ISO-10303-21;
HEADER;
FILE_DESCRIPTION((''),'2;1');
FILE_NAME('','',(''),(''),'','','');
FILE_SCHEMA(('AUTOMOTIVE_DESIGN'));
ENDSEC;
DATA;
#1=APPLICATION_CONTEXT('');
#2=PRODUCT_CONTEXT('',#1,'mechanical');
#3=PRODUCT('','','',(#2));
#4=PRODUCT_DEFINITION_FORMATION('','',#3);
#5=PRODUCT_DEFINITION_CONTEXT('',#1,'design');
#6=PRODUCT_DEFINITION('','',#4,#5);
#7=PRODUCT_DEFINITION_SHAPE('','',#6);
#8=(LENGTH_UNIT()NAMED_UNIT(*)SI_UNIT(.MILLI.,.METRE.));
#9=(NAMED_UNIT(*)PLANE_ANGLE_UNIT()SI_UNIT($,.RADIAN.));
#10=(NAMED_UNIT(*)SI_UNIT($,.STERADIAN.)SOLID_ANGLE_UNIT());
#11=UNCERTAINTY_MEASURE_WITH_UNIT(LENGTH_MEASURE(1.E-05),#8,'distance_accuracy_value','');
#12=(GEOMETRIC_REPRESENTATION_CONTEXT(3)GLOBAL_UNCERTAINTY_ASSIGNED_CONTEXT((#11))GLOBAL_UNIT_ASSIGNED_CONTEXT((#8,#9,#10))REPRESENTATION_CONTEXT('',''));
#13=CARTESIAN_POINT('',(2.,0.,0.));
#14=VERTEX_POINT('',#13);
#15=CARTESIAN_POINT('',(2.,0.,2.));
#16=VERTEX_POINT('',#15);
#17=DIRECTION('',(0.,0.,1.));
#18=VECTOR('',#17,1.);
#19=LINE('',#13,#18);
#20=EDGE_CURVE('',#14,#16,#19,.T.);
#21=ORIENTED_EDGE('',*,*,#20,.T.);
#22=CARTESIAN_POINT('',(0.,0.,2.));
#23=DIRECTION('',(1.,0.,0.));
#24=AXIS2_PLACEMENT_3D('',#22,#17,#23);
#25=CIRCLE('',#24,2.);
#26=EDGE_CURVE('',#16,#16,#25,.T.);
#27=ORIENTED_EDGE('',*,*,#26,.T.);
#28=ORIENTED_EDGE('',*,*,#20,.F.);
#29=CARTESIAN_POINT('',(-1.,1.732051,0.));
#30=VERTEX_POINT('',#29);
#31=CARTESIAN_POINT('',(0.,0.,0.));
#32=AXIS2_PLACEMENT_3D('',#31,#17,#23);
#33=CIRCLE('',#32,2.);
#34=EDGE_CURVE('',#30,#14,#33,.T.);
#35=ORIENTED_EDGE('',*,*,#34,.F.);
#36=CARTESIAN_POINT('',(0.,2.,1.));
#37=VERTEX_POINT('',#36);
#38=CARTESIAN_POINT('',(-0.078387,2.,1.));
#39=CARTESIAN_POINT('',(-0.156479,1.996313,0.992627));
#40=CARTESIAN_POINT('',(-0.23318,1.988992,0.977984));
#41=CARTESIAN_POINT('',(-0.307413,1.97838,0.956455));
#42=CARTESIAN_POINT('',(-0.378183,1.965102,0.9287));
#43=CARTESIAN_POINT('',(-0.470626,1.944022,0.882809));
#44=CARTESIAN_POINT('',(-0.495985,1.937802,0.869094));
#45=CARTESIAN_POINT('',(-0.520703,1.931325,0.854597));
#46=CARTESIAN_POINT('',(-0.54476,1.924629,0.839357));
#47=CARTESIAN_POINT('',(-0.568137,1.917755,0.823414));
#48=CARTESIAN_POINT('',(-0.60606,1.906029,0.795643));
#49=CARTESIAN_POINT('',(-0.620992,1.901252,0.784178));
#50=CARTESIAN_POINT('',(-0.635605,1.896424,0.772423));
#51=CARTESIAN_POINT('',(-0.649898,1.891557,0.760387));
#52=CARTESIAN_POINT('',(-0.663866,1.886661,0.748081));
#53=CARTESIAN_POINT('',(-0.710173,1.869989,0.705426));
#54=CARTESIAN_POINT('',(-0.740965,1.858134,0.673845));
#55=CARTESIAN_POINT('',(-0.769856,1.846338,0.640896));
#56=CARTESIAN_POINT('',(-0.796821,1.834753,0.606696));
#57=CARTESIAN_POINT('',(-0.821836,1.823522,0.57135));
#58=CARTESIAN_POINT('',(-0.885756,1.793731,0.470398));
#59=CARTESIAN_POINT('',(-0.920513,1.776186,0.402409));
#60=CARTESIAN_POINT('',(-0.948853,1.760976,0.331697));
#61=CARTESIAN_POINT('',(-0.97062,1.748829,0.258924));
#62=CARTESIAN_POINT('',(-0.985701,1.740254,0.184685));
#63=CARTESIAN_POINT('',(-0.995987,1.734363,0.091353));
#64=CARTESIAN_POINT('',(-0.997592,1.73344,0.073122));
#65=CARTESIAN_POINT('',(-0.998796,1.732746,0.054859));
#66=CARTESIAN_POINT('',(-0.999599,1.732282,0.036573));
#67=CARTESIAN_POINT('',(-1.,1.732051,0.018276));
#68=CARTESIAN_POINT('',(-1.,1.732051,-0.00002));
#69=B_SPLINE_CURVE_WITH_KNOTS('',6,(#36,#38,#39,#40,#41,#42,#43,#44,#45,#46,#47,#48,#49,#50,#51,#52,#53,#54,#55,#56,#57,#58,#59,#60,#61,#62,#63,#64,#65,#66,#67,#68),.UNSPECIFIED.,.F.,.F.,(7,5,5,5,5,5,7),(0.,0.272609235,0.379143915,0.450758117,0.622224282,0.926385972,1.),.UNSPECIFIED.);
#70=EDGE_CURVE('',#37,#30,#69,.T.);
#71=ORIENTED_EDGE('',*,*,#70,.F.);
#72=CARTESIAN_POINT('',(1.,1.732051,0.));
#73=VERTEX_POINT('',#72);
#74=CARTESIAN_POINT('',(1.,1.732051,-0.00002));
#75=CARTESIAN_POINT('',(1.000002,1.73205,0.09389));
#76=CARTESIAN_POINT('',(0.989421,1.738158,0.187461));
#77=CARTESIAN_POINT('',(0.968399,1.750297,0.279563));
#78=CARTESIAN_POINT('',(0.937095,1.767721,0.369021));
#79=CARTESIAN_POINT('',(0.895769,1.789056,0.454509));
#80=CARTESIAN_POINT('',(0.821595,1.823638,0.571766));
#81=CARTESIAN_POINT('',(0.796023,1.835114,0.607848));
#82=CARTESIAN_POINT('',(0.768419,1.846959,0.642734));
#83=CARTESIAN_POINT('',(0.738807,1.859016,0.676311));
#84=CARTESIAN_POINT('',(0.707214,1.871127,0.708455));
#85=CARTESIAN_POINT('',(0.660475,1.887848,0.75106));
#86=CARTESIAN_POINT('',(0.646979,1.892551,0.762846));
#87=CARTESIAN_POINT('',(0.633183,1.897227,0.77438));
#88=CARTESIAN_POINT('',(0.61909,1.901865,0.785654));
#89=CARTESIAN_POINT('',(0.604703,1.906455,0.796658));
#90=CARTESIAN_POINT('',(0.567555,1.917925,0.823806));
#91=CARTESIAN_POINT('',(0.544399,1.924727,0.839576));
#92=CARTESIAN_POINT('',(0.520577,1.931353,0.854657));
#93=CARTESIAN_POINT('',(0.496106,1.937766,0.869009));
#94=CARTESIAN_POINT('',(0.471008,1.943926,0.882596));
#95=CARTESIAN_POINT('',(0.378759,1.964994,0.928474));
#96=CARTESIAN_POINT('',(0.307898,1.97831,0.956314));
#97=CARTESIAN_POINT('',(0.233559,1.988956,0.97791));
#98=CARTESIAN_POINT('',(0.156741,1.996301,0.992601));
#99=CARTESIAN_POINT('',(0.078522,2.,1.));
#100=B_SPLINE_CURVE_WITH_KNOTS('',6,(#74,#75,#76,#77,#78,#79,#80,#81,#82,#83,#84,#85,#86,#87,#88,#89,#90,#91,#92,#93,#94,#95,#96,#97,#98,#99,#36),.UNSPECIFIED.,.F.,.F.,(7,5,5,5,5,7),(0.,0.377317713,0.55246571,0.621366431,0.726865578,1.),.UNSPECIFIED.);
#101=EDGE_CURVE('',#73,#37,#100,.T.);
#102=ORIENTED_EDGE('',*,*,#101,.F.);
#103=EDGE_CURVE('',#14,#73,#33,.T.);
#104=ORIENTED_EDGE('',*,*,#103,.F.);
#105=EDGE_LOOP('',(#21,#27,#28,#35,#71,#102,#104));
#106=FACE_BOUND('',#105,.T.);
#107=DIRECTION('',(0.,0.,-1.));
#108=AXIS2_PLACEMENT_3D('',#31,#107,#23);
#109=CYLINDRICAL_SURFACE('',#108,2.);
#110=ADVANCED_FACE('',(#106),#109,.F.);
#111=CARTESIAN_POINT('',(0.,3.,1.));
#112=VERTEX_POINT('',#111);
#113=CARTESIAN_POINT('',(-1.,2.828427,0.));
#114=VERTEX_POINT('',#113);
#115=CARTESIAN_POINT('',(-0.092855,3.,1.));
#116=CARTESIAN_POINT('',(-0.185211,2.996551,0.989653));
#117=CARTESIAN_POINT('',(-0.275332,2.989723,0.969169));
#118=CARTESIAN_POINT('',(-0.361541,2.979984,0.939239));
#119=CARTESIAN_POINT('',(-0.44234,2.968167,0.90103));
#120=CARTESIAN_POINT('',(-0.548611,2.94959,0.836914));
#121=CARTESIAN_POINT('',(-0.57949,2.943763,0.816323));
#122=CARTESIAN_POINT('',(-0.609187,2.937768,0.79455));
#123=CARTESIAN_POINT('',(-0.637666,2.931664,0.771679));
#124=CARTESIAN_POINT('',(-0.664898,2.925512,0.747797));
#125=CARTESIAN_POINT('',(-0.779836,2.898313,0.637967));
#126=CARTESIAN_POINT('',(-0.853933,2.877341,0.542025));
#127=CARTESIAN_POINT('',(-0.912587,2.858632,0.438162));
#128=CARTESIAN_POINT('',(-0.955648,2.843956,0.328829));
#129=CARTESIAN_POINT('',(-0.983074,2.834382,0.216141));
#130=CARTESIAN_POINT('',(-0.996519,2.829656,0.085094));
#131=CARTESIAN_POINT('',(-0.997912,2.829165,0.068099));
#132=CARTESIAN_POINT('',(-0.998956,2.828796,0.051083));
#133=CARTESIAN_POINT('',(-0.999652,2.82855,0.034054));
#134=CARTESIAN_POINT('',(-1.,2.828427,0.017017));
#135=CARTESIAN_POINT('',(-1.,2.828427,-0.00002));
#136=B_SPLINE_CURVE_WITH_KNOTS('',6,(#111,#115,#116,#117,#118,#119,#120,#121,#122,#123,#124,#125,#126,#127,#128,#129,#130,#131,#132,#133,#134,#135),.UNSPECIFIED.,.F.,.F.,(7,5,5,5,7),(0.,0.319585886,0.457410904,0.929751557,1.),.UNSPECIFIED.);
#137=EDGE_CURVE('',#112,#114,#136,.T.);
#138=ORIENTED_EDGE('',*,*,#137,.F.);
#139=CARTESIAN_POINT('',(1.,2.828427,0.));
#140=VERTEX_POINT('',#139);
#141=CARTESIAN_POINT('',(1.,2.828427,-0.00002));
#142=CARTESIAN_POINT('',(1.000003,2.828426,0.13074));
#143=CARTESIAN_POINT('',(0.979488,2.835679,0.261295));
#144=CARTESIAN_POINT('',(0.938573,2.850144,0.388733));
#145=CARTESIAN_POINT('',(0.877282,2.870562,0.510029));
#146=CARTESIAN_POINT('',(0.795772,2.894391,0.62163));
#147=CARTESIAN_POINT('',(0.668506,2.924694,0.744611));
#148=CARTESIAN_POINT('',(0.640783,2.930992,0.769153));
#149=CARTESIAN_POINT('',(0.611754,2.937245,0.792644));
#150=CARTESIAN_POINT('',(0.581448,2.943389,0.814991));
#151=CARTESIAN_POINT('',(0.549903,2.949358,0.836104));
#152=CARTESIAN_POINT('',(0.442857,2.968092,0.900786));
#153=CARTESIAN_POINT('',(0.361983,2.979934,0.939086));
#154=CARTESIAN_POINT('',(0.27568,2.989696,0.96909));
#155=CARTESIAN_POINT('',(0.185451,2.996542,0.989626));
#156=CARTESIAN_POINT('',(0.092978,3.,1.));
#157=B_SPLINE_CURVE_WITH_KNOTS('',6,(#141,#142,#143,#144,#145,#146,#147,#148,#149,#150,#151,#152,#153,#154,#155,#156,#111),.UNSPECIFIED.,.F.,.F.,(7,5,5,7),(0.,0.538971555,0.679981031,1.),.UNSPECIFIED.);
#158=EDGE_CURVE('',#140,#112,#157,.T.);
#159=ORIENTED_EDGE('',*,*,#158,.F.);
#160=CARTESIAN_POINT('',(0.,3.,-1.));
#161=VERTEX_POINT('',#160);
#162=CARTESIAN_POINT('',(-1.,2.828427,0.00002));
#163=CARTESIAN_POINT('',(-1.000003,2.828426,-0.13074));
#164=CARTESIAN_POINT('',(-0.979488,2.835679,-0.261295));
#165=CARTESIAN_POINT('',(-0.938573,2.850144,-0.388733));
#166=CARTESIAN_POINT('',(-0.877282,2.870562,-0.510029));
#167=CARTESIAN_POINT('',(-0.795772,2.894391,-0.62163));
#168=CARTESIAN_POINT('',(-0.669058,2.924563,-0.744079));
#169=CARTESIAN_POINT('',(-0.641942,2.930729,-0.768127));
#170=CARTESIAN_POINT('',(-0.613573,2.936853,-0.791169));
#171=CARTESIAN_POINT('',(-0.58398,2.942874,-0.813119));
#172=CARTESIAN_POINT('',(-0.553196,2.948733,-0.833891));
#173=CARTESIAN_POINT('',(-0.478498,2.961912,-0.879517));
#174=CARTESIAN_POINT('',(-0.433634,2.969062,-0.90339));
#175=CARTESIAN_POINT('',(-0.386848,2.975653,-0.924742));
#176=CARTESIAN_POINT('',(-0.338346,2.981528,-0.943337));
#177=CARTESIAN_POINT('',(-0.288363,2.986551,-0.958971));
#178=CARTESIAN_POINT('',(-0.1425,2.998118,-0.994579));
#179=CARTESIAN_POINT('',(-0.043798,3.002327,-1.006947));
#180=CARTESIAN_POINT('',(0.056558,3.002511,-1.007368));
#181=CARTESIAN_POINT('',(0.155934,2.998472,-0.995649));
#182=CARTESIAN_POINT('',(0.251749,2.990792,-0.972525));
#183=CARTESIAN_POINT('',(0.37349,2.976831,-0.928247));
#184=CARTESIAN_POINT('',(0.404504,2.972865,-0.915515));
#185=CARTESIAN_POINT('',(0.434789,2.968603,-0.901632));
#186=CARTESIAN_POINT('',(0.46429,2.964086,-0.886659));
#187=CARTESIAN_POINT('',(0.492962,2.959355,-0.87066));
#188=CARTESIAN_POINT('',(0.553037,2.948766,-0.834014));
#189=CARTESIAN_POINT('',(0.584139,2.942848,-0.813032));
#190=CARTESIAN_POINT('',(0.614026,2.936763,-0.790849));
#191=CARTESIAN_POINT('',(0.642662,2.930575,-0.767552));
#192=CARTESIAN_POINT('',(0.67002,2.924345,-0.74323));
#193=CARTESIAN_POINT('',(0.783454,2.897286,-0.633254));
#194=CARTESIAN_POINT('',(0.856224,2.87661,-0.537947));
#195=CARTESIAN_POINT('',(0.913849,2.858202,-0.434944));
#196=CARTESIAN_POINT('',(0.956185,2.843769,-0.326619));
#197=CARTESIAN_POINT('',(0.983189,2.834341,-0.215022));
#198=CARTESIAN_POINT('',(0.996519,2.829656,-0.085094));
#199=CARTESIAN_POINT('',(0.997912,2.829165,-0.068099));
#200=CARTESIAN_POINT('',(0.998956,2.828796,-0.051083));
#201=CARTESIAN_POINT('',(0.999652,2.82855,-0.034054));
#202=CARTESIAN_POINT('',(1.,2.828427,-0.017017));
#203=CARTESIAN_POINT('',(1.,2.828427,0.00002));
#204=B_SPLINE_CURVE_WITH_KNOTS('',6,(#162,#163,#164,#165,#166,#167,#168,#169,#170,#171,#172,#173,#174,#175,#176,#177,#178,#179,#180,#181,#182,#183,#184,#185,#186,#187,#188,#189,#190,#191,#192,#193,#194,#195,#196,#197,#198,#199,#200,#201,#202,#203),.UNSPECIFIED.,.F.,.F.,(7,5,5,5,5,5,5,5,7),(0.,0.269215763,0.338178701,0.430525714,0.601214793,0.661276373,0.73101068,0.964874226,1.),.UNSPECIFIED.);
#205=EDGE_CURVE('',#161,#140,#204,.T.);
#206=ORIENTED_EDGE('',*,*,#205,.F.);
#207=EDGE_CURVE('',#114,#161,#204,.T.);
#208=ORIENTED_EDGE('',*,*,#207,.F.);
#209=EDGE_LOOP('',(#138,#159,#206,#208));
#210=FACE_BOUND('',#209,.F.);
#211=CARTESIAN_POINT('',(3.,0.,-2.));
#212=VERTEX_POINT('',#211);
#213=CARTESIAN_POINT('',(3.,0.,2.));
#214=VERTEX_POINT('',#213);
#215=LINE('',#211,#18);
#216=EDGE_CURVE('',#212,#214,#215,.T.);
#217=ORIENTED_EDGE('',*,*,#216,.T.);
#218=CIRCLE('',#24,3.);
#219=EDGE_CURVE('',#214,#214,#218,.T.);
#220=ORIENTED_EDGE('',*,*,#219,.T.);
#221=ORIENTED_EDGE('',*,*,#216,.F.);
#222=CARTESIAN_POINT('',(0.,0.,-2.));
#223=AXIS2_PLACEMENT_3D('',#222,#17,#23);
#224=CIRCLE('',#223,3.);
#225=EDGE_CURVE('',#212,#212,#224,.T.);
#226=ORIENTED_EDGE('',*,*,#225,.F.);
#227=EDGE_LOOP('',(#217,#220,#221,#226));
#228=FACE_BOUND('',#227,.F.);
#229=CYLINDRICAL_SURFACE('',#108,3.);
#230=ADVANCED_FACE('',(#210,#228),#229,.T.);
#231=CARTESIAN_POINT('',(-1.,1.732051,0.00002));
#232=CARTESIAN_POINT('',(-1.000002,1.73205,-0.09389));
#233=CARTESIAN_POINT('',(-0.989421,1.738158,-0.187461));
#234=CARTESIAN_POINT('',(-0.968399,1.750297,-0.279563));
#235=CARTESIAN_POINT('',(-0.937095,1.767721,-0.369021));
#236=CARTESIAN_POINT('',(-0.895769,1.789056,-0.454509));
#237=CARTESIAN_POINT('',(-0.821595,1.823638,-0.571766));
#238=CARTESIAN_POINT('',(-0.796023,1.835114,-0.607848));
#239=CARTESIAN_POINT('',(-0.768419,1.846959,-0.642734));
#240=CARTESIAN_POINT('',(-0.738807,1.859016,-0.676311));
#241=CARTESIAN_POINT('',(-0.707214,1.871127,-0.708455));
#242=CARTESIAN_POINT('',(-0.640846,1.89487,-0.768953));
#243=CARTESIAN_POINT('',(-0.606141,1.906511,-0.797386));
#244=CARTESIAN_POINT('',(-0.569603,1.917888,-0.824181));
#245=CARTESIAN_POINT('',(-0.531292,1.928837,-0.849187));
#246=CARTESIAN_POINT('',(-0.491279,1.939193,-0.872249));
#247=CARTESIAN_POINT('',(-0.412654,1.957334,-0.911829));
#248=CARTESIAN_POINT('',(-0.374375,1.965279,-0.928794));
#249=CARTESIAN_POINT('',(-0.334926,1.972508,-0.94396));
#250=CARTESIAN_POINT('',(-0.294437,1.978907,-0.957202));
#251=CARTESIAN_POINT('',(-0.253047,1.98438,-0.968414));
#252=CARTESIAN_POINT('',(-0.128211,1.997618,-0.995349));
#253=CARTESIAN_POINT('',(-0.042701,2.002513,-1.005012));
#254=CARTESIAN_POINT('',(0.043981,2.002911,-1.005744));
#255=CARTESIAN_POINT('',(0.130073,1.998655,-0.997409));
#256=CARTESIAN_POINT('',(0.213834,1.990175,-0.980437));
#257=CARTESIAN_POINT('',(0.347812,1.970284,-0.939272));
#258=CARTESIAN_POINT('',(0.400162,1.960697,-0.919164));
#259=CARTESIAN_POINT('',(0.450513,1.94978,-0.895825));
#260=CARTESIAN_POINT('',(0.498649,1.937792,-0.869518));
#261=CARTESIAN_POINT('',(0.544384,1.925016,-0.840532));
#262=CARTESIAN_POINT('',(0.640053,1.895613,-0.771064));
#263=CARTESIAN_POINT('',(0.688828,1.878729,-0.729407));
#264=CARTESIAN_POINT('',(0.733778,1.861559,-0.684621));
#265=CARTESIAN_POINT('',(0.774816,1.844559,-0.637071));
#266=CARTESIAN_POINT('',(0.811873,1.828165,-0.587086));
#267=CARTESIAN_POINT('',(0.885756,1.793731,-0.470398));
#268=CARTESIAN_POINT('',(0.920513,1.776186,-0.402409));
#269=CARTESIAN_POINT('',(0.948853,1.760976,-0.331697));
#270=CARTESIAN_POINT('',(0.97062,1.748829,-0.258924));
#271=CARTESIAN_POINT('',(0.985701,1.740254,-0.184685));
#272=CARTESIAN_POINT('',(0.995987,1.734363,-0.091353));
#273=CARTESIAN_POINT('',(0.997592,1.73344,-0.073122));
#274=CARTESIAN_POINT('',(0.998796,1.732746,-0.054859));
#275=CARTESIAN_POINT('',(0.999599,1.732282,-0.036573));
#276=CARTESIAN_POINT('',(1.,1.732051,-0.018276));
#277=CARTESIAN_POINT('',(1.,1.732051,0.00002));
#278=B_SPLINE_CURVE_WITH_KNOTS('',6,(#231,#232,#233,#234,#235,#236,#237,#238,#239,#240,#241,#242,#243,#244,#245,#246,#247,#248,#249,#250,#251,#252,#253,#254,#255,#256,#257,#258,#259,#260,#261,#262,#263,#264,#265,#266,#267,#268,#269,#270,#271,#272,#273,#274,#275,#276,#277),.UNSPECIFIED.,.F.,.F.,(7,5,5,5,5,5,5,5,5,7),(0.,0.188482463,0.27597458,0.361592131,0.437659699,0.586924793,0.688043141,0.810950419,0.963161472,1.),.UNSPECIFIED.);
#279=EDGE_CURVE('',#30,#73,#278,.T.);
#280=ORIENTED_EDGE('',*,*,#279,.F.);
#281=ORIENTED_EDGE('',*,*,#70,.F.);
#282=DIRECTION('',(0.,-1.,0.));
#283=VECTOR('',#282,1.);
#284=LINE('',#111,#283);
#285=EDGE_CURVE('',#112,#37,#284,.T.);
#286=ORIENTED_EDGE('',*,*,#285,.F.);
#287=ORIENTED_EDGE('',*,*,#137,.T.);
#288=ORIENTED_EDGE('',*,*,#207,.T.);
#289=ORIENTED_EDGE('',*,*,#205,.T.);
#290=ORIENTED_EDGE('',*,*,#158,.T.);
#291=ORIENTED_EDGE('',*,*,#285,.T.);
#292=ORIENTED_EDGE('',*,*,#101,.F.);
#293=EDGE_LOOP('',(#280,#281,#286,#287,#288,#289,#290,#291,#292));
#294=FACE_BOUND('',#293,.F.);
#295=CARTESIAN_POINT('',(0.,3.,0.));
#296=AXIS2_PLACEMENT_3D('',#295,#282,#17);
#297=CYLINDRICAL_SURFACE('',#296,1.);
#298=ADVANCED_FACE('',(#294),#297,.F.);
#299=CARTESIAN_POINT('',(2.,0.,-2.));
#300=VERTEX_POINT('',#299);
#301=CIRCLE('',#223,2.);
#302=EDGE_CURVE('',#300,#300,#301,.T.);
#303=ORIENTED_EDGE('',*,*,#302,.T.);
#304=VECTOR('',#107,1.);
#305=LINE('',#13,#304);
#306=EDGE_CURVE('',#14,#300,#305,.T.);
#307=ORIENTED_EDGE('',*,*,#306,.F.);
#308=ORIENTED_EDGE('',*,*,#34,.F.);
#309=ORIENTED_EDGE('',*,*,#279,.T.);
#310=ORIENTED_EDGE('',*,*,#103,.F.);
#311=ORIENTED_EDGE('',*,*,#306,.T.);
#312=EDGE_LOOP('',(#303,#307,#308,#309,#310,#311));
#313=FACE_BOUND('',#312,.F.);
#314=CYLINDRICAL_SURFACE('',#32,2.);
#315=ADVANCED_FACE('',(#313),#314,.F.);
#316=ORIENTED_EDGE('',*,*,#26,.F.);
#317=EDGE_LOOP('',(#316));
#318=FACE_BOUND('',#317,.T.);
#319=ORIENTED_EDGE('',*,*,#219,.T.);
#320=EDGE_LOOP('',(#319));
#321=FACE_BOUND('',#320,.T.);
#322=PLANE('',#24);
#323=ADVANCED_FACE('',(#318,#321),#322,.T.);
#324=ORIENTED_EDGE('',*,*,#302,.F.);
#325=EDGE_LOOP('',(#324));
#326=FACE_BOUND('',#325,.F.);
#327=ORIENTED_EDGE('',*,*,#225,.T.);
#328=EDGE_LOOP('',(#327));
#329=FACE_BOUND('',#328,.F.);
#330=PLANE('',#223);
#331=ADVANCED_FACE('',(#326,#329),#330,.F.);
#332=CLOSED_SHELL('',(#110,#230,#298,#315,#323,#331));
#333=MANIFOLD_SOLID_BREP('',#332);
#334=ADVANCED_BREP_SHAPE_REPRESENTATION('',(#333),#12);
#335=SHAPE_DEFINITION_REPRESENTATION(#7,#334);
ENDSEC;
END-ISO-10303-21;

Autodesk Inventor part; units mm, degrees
ref_plane "YZ Plane" through (0, 0, 0) normal (1, 0, 0) x (0, 1, 0)
ref_plane "XY Plane" through (0, 0, 0) normal (0, 0, 1) x (1, 0, 0)
sketch "Sketch1" plane through (0, 0, 0) normal (0, 0, 1) x (1, 0, 0)
  circle A0 centre (0, 0) radius 3
  circle A1 centre (0, 0) radius 2
  dimension "d0" = 6
  dimension "d1" = 4
extrude "Extrusion1" add sketch "Sketch1" along normal mid plane 4
ref_plane "Work Plane1" through (0, 3, 0) normal (0, 1, 0) x (-1, 0, 0)
sketch "Sketch2" plane through (0, 3, 0) normal (0, 1, 0) x (-1, 0, 0)
  point P0 (0, 0)
  point P1 (0, 0)
hole "Hole1" at (0, 3, 0) direction (0, -1, 0) diameter 2 depth 1.4
properties part number "9.1"
